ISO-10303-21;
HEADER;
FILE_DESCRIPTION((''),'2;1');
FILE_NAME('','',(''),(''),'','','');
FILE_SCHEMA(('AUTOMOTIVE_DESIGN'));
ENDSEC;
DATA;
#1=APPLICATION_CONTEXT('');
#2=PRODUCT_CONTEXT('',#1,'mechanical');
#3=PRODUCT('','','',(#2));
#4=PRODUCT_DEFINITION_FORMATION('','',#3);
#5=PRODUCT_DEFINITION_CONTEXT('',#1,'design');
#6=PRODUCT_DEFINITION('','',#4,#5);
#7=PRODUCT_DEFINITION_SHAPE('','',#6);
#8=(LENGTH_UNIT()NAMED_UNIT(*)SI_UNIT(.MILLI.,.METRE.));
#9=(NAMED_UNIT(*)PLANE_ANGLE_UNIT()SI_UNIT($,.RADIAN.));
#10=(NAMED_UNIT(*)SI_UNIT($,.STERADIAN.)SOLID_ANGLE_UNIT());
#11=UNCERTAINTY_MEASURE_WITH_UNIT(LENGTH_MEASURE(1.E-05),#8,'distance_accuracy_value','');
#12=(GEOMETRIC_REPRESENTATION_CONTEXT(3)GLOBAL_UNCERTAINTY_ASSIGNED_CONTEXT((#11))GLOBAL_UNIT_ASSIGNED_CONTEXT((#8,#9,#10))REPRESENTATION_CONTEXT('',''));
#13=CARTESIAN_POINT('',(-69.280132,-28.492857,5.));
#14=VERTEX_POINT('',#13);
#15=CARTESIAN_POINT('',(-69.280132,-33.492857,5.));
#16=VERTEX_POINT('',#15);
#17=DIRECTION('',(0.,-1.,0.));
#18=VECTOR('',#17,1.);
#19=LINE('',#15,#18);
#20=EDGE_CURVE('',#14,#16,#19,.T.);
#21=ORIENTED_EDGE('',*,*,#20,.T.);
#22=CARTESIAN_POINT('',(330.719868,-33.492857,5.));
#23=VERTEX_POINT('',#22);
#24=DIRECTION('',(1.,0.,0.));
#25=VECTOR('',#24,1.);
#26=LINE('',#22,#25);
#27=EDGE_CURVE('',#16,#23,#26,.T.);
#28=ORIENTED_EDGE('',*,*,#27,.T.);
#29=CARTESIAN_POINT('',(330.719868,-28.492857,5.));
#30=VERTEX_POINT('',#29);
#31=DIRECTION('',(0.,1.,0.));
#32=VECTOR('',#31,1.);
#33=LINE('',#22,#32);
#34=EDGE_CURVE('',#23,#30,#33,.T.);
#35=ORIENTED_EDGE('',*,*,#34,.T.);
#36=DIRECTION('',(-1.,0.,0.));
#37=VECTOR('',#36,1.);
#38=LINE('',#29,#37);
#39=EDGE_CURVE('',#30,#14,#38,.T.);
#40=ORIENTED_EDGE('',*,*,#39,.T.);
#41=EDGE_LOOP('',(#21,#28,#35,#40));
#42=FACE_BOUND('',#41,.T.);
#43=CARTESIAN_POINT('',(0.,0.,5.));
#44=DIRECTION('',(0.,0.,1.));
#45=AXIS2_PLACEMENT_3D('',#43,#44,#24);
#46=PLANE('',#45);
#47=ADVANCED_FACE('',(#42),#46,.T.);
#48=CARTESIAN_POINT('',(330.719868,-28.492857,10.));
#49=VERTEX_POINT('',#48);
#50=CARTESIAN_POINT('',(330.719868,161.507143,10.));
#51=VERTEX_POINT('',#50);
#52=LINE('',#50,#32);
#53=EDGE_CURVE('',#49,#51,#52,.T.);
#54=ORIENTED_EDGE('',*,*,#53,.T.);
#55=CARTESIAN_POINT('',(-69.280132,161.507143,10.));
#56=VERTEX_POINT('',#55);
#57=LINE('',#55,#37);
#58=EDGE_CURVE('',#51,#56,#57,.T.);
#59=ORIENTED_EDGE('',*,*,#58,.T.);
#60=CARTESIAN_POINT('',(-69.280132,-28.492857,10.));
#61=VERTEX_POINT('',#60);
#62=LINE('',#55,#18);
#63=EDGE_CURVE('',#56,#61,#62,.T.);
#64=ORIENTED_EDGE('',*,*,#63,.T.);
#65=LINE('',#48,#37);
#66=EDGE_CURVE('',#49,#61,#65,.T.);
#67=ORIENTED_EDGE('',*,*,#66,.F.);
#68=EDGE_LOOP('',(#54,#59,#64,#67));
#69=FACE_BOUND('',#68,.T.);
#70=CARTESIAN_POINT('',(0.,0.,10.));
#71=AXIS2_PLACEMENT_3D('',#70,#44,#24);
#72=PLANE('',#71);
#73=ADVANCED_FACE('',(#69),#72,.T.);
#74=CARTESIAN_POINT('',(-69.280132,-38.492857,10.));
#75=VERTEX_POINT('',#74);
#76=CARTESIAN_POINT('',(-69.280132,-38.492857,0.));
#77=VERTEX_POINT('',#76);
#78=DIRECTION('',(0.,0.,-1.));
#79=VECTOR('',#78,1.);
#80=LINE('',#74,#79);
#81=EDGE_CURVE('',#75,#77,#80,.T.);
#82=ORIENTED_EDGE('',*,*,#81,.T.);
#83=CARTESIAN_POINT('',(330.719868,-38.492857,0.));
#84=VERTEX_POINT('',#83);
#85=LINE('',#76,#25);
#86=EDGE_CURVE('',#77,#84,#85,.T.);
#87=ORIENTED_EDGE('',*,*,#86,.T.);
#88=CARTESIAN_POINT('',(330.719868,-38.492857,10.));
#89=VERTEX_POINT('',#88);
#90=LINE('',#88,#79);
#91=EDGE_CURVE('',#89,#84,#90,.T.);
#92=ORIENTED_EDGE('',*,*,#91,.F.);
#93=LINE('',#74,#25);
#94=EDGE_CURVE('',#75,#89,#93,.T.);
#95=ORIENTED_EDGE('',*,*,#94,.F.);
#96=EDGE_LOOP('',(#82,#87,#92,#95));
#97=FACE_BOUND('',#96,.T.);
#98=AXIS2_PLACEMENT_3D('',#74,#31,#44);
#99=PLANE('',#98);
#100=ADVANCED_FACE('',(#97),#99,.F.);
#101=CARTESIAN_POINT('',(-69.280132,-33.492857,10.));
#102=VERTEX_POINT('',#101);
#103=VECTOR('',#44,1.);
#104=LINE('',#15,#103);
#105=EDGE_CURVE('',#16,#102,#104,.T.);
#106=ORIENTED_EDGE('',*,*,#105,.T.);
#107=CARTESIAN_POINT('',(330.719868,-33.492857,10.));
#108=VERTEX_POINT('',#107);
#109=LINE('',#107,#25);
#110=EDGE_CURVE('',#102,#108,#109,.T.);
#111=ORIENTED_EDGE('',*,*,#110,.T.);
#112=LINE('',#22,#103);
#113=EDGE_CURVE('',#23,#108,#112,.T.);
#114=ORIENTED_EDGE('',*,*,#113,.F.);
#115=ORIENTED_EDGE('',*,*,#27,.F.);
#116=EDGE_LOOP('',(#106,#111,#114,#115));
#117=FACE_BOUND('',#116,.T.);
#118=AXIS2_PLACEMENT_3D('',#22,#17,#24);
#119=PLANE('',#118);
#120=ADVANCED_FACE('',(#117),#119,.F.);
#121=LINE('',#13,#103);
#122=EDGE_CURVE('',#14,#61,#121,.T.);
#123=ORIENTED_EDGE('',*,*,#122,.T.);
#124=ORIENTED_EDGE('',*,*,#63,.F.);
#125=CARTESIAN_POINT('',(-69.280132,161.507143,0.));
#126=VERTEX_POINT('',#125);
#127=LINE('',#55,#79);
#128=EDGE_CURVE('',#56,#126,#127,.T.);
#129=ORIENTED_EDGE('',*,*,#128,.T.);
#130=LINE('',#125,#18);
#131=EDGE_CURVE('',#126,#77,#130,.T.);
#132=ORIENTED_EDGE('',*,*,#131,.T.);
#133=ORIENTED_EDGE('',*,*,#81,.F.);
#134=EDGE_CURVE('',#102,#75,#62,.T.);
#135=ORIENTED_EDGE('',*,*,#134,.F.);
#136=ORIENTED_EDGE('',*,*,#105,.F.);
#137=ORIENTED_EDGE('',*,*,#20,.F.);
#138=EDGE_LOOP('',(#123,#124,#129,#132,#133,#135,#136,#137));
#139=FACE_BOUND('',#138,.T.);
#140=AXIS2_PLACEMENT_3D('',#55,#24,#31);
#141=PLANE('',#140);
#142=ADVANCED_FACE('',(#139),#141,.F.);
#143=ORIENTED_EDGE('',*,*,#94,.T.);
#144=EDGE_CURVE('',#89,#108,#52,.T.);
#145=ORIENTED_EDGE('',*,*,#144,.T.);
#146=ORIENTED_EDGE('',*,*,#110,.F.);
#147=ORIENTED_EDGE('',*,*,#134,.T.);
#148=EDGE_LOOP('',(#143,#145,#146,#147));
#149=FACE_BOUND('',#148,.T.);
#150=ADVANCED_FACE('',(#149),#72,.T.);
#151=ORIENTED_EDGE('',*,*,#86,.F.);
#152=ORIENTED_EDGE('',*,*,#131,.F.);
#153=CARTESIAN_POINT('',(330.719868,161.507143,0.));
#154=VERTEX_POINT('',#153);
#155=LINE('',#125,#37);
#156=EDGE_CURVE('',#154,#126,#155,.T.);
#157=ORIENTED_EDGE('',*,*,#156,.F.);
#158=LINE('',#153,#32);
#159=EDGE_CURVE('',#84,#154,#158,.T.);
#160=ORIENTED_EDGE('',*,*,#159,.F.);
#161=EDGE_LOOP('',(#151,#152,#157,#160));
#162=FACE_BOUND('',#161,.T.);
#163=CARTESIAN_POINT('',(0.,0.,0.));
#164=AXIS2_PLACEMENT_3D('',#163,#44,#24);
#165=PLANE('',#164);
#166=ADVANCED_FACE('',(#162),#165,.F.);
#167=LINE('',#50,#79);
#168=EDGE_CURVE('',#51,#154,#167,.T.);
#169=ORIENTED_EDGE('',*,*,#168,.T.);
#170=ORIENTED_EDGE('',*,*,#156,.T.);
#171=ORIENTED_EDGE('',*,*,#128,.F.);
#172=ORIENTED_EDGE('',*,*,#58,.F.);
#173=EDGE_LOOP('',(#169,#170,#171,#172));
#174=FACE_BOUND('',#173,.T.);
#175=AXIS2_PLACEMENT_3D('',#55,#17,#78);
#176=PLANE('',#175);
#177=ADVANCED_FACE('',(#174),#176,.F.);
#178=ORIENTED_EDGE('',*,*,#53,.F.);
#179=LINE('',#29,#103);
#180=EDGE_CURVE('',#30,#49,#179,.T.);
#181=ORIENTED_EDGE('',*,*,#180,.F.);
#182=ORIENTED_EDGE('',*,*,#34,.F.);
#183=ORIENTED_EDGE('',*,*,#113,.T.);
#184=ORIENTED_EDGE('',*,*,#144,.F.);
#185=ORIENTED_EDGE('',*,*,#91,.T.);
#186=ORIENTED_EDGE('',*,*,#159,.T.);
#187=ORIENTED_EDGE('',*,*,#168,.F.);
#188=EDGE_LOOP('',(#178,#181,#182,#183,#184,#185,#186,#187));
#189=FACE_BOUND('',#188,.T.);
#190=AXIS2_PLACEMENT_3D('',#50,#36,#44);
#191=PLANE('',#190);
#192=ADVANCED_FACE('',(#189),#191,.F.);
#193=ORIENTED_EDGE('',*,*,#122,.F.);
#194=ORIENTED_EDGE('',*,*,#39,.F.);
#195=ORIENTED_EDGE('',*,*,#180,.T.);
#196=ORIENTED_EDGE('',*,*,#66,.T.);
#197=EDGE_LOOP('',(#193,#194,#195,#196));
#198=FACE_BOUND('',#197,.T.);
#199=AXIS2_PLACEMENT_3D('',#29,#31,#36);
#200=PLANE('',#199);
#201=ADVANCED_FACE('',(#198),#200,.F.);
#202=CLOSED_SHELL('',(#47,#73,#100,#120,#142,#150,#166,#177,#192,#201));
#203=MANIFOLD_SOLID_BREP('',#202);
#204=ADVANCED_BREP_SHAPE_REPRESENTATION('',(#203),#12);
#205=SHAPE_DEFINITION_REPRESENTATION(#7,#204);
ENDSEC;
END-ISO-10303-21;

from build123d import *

# Parameters (mm, degrees)
SKETCH_1_W          = 400
SKETCH_1_H          = 200
EXTRUDE_1_DEPTH     = 10
SKETCH_2_W          = 400
SKETCH_2_H          = 5
CUT_EXTRUDE_1_DEPTH = 5


with BuildPart() as part:
    # ｽｹｯﾁ1 → ﾎﾞｽ - 押し出し1 (new body)
    with BuildSketch(Plane.XY):
        with Locations((130.719868277, 61.507142857)):
            Rectangle(SKETCH_1_W, SKETCH_1_H)
    extrude(amount=EXTRUDE_1_DEPTH)

    # ｽｹｯﾁ2 → ｶｯﾄ - 押し出し1 (cut)
    with BuildSketch(Plane.XY.offset(10)):
        with Locations((130.719868277, -30.992857143)):
            Rectangle(SKETCH_2_W, SKETCH_2_H)
    extrude(amount=-CUT_EXTRUDE_1_DEPTH, mode=Mode.SUBTRACT)


solid = part.part
